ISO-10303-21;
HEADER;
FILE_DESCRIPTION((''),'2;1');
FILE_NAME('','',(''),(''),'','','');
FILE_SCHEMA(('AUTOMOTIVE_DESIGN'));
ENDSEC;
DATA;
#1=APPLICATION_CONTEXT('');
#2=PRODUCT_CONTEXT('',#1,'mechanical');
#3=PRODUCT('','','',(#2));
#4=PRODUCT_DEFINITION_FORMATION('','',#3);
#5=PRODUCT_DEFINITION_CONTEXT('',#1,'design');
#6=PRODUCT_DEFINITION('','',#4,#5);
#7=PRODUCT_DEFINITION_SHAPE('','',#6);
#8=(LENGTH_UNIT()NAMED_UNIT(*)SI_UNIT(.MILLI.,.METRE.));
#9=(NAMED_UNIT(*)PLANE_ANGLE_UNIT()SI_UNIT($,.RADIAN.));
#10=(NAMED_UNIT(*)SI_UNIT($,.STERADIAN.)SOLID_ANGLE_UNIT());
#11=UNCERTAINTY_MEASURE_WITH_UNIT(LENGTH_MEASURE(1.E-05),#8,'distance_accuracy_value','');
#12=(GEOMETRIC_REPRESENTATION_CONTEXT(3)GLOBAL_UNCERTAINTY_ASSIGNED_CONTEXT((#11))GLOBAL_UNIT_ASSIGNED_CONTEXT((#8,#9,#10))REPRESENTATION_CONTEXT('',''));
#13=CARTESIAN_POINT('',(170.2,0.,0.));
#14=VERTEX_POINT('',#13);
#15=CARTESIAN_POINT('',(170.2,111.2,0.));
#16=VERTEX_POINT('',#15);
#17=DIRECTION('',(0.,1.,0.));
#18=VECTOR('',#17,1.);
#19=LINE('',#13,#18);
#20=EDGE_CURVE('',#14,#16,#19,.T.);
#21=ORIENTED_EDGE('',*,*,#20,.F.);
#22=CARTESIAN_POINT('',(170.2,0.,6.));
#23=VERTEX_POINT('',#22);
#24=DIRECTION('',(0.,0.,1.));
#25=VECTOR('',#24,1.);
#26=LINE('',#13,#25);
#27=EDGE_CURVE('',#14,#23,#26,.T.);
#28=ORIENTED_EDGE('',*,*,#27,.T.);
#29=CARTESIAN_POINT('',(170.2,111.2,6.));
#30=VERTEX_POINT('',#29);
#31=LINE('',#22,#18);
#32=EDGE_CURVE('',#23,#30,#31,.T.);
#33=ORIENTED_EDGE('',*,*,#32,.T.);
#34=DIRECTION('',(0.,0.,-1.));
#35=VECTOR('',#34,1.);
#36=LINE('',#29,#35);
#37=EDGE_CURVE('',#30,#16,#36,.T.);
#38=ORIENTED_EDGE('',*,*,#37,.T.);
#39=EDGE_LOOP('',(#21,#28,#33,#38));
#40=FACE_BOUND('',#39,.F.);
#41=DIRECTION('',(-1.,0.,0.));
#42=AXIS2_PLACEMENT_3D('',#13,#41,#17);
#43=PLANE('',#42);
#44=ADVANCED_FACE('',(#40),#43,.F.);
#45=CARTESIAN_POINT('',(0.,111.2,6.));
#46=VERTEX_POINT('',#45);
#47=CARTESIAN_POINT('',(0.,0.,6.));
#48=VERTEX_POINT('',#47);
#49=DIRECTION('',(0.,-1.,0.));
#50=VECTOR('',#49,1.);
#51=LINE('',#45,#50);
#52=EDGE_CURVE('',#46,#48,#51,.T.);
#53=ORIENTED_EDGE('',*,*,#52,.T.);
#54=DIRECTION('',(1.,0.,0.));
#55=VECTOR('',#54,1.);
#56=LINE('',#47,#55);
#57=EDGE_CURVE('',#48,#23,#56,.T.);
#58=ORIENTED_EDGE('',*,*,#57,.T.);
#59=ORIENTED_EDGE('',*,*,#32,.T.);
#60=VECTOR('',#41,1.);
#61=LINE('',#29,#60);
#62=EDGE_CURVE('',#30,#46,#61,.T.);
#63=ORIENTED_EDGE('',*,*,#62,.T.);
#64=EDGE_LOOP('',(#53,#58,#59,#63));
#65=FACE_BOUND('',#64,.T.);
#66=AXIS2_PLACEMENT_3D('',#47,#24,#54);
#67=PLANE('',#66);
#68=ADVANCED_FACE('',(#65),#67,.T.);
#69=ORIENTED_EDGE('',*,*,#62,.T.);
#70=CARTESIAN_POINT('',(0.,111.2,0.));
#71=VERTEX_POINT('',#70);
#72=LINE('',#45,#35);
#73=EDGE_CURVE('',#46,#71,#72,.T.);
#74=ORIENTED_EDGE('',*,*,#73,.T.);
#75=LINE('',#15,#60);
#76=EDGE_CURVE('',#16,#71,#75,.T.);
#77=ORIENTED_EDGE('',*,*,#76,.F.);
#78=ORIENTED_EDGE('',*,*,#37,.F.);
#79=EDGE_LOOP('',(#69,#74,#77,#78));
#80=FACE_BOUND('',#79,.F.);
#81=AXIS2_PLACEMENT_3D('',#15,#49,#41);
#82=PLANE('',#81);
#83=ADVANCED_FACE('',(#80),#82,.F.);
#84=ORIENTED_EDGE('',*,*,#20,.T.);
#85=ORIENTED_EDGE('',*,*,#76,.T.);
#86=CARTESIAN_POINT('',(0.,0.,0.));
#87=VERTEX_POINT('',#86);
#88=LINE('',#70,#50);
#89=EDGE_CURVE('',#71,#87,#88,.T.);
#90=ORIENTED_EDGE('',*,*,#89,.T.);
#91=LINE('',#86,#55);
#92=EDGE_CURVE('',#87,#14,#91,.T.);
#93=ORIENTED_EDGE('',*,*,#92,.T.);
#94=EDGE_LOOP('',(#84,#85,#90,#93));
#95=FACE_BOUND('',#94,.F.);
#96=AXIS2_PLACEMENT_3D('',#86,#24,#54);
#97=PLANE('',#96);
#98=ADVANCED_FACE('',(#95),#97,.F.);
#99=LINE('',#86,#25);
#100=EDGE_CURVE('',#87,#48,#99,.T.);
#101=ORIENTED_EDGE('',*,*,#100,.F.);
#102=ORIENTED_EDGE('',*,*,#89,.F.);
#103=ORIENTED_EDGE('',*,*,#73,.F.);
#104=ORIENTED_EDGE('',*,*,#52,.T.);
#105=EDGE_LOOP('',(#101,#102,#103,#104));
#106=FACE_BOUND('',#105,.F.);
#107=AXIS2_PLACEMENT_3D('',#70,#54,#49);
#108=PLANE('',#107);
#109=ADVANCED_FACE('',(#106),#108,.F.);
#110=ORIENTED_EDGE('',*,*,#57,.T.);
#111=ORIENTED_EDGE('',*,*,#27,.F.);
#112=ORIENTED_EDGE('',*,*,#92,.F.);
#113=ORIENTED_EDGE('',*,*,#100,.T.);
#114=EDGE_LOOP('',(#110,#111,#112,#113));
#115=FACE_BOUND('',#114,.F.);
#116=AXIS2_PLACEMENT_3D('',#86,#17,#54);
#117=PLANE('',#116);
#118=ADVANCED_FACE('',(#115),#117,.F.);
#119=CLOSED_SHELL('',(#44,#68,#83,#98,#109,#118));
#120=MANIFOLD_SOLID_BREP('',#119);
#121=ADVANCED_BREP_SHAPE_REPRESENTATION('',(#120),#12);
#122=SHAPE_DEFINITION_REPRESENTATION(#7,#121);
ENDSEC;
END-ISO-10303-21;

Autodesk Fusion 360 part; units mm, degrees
sketch "Sketch1" plane through (0, 0, 0) normal (0, 0, 1) x (1, 0, 0)
  line L0 (0, 0) -> (42, 0)
  line L1 (42, 0) -> (42, 76)
  line L2 (42, 76) -> (0, 76)
  line L3 (0, 76) -> (0, 0)
  dimension "d3" = 42
  dimension "d4" = 76
extrude "Extrude1" add sketch "Sketch1" along normal blind 6

Autodesk Fusion 360 part; units mm, degrees
sketch "Sketch1" plane through (0, 0, 0) normal (0, 0, 1) x (1, 0, 0)
  line L0 (0, 0) -> (170.2, 0)
  line L1 (170.2, 0) -> (170.2, 111.2)
  line L2 (170.2, 111.2) -> (0, 111.2)
  line L3 (0, 111.2) -> (0, 0)
  dimension "d1" = 170.2
  dimension "d2" = 111.2
extrude "Extrude1" add sketch "Sketch1" along normal blind 1.18
